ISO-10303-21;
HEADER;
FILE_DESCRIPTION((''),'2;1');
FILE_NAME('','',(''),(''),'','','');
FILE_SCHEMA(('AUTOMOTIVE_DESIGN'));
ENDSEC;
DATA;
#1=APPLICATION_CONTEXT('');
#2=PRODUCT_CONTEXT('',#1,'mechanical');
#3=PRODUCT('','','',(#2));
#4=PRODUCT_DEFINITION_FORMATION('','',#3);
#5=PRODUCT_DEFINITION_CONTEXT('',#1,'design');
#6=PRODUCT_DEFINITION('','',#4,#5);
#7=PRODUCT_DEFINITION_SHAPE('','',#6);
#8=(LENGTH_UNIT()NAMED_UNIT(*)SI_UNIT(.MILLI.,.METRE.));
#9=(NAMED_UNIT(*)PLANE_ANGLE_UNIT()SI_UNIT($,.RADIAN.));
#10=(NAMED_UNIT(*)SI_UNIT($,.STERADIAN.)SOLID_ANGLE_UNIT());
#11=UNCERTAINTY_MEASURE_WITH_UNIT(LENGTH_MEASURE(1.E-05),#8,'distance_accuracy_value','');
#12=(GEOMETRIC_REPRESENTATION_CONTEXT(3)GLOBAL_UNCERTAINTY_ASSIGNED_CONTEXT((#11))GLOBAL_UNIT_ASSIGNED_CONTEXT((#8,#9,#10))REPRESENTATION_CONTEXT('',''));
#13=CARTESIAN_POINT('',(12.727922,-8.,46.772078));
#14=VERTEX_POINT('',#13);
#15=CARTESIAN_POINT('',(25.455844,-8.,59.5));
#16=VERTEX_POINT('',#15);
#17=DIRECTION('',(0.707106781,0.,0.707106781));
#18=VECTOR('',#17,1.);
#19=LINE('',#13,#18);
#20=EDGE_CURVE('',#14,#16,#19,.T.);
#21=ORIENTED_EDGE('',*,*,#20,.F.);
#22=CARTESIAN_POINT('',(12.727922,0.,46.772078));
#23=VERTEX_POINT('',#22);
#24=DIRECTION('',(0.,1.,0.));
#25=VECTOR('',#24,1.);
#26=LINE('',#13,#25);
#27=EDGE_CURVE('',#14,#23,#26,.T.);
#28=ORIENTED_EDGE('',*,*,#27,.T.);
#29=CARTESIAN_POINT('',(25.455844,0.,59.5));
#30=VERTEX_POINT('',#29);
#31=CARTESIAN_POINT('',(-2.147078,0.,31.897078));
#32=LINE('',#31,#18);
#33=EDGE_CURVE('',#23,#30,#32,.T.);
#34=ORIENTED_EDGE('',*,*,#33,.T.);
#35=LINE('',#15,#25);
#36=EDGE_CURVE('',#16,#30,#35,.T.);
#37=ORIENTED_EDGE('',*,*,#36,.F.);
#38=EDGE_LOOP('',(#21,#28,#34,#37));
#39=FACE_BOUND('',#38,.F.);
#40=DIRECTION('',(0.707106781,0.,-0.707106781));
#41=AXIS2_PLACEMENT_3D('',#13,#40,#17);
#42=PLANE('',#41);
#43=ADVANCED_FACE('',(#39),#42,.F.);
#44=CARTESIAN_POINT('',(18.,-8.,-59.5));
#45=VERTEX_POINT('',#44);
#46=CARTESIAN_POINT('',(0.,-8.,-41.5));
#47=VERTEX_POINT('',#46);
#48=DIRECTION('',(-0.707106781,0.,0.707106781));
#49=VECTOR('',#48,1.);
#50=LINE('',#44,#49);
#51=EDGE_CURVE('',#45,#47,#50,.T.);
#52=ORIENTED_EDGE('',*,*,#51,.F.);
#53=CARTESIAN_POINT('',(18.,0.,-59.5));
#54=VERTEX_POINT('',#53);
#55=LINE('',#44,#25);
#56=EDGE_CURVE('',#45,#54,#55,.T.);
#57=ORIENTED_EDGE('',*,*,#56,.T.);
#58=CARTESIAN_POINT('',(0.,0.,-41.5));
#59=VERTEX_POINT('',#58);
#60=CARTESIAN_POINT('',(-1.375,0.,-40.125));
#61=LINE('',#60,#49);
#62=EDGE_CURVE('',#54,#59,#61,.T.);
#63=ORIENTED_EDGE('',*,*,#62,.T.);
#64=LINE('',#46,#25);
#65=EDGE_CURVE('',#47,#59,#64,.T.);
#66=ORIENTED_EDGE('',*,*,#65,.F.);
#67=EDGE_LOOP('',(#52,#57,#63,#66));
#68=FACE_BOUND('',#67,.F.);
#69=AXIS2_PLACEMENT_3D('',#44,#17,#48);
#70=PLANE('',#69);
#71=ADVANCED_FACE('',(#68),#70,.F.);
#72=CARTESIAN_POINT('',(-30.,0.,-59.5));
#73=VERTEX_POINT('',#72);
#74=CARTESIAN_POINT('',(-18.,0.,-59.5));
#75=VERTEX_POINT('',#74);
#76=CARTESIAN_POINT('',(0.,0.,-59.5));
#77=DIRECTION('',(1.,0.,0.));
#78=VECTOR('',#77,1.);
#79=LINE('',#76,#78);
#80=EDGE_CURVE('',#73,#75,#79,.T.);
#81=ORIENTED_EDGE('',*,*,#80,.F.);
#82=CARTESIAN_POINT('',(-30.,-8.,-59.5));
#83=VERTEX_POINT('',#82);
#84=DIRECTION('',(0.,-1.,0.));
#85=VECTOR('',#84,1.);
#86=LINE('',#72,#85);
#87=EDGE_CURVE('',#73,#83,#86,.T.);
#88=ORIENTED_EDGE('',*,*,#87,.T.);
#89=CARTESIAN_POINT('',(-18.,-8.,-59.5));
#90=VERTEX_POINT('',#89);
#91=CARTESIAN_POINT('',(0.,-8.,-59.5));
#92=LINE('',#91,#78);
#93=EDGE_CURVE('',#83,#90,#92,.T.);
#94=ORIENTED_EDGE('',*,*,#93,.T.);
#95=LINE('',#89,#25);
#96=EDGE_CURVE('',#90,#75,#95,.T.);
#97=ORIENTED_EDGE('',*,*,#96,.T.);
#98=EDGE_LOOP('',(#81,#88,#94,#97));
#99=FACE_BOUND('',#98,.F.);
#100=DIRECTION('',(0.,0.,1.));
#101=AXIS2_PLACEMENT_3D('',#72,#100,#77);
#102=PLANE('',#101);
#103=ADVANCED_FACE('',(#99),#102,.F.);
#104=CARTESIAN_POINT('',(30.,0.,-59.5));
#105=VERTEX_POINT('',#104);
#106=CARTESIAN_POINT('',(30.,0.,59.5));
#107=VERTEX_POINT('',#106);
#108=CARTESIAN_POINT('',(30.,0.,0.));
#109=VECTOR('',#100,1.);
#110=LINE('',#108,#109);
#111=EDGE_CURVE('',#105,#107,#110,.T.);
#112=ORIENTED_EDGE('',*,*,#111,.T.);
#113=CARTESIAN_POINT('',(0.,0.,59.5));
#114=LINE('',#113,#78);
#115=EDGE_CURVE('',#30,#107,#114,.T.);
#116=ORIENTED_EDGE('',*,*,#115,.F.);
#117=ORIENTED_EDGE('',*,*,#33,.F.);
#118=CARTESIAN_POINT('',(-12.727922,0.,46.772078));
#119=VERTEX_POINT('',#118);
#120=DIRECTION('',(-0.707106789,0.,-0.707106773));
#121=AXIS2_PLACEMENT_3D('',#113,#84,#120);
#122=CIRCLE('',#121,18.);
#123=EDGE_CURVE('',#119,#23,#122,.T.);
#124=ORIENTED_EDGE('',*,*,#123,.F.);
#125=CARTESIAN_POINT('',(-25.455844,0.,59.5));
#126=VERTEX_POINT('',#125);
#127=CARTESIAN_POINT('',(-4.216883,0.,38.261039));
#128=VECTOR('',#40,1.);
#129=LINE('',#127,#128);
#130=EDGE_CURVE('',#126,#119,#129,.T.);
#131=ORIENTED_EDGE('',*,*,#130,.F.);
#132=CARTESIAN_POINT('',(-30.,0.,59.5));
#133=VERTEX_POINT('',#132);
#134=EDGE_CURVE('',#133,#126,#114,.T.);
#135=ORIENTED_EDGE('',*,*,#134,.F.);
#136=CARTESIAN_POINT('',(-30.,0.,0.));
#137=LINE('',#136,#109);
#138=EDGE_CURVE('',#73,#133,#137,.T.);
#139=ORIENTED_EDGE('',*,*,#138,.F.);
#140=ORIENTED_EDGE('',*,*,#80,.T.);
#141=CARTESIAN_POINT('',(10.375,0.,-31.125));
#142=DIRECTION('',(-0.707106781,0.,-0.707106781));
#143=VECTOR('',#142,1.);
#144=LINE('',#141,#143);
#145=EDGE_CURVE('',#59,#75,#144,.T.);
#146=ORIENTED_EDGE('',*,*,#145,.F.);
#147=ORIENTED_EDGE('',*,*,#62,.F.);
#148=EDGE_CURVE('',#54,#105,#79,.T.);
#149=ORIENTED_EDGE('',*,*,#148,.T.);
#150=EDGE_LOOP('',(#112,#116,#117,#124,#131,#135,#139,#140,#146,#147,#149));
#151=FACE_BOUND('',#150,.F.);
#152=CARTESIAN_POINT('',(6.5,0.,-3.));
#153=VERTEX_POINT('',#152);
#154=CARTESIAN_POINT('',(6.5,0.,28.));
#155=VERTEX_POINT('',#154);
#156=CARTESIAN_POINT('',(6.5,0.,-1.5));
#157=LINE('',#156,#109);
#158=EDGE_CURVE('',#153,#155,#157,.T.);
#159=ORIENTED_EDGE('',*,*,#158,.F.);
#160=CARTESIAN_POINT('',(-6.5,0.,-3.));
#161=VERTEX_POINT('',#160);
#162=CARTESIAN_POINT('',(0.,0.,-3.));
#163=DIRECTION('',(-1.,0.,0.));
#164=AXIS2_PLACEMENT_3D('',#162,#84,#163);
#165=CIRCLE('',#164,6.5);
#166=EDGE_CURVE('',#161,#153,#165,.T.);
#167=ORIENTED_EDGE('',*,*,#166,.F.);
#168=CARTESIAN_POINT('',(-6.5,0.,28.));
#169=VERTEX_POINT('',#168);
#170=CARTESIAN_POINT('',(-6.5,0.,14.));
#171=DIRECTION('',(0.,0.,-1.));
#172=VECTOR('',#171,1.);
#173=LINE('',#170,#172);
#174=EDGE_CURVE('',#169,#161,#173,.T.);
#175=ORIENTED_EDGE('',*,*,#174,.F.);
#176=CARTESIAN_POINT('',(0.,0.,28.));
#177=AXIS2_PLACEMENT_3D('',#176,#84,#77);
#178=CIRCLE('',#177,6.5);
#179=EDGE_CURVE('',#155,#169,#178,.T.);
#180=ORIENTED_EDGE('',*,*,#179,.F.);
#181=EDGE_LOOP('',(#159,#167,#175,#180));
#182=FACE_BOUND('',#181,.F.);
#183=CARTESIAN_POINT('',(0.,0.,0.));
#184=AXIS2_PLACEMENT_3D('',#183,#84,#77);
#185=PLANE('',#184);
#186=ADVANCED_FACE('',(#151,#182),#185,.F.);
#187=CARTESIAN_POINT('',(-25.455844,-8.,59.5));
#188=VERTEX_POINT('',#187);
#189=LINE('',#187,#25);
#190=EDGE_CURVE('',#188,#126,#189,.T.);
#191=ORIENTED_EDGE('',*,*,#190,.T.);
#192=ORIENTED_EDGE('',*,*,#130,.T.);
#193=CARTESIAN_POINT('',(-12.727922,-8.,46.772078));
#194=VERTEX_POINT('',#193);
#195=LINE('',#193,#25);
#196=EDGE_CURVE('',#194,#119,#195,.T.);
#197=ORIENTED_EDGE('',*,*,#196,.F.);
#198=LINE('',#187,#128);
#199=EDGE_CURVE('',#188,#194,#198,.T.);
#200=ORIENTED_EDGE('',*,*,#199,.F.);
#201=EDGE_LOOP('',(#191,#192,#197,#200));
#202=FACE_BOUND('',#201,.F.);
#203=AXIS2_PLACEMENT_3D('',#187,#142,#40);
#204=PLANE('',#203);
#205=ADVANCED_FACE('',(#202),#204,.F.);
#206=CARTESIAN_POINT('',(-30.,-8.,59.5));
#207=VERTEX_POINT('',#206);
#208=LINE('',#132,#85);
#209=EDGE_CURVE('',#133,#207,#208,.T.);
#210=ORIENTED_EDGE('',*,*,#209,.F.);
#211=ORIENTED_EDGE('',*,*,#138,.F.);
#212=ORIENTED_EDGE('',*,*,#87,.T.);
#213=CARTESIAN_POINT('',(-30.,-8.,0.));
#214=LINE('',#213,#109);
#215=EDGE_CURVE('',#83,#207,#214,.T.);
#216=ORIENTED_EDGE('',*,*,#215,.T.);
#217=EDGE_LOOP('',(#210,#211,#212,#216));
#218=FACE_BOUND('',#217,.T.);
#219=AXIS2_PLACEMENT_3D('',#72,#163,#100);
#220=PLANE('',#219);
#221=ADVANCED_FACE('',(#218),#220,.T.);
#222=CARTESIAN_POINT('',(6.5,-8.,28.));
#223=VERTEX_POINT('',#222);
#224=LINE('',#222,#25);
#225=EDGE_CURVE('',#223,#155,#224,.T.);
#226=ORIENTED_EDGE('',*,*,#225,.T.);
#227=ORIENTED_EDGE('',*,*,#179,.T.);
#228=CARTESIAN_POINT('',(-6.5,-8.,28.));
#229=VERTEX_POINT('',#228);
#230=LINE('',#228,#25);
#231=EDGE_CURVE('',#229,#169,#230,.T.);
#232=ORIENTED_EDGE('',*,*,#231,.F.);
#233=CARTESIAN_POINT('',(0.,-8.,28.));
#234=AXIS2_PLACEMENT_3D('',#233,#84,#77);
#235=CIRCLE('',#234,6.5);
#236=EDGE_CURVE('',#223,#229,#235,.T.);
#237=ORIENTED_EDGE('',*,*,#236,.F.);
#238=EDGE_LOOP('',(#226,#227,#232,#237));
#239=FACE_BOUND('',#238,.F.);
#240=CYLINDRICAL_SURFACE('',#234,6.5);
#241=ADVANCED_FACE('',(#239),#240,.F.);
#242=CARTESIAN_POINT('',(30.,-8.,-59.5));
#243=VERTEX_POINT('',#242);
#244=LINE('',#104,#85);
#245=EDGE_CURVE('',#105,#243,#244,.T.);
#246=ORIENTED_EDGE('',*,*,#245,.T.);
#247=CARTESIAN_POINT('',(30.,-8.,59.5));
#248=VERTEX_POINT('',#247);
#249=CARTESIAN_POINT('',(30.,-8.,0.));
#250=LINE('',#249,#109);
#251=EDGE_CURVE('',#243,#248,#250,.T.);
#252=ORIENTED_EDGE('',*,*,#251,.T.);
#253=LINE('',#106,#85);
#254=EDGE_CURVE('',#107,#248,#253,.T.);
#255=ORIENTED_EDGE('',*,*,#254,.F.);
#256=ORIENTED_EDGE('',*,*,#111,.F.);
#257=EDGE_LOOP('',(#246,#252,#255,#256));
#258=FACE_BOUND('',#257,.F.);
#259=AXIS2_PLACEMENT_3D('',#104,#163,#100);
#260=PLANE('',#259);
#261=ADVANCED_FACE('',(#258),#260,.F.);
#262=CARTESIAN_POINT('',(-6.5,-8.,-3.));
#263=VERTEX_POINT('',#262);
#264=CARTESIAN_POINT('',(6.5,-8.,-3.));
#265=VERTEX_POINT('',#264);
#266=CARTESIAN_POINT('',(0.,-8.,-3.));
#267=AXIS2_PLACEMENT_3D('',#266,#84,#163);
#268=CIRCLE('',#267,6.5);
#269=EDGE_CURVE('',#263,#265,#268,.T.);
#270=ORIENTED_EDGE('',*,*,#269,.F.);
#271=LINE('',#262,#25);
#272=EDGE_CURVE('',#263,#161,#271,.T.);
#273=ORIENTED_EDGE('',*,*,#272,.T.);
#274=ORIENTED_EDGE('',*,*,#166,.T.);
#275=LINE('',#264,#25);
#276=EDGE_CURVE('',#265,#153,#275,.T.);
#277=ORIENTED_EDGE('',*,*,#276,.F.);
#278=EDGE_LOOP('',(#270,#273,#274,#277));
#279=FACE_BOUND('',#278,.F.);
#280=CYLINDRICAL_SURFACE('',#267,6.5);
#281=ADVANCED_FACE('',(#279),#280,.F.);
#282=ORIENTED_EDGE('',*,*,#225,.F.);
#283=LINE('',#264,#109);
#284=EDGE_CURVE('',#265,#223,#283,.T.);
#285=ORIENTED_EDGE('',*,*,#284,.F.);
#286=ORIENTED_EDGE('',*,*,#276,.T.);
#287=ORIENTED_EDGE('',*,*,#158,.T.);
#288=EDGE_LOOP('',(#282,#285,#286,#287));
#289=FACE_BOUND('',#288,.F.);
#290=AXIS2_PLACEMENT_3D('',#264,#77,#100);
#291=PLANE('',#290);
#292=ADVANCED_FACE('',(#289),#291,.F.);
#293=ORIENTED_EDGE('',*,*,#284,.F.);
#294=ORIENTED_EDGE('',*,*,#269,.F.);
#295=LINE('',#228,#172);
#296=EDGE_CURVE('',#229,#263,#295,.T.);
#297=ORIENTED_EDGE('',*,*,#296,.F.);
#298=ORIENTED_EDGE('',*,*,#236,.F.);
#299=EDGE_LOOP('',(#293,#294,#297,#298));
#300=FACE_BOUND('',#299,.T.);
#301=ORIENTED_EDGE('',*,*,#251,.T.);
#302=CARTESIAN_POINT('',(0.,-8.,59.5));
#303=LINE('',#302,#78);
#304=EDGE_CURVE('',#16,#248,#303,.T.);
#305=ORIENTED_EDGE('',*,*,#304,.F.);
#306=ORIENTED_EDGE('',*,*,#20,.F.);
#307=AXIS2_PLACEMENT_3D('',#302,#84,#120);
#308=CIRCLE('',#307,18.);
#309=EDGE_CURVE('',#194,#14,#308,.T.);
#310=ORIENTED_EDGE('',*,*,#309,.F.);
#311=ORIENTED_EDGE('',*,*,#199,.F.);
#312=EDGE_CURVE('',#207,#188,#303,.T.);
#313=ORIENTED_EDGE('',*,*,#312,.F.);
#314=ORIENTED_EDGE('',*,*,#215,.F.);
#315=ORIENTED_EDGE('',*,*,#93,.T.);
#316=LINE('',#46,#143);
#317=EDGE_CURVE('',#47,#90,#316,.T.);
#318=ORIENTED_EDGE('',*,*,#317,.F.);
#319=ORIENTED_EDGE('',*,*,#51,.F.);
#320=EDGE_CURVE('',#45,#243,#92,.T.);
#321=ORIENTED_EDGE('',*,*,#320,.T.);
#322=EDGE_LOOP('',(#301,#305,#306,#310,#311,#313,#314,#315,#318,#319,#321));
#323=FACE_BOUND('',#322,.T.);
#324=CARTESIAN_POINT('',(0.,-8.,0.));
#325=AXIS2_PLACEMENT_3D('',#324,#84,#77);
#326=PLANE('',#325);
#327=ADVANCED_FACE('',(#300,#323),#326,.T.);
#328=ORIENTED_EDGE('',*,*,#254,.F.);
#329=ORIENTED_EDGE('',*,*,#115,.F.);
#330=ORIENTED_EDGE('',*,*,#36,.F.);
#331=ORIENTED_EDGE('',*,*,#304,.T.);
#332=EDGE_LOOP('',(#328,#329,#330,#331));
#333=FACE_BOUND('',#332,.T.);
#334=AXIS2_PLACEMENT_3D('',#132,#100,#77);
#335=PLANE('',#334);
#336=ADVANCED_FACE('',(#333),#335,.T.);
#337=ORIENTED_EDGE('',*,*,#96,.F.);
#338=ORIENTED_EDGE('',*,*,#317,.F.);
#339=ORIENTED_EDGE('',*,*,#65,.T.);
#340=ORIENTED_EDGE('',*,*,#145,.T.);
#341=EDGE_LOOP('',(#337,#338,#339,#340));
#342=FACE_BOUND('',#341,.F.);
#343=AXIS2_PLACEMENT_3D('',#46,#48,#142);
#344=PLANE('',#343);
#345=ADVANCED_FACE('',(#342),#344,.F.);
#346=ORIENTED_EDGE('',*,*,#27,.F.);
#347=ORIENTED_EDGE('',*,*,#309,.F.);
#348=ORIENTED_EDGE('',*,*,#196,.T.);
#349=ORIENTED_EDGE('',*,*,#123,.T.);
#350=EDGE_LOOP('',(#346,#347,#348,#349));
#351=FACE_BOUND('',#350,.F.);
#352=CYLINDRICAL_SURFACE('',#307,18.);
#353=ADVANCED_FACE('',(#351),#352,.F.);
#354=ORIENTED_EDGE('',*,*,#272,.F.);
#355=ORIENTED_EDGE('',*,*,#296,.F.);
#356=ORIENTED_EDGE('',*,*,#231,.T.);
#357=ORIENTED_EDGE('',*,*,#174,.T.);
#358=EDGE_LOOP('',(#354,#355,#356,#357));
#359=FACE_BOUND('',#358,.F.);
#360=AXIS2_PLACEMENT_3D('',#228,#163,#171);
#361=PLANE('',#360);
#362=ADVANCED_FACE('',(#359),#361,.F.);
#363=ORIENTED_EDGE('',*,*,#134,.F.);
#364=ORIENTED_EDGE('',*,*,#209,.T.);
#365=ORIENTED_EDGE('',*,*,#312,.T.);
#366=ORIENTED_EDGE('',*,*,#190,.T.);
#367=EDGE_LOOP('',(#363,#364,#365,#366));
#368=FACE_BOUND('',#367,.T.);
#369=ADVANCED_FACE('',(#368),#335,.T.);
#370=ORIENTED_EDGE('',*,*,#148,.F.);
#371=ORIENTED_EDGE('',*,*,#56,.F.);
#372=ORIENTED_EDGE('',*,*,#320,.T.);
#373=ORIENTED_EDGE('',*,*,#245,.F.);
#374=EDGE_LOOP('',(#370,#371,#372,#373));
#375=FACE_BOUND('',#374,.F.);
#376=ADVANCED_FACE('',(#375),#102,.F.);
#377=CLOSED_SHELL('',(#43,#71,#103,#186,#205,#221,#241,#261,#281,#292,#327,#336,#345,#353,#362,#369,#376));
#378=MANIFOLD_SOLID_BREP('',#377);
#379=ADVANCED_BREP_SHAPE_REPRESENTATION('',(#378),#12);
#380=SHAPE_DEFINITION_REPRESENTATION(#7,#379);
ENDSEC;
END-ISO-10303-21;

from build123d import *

# Parameters (mm, degrees)
F0_W     = 60
F0_H     = 119
F1_DEPTH = 8
F3_DEPTH = 8.001


with BuildPart() as f1:
    # F0 (on Front) → F1 (new body)
    with BuildSketch(Plane.XZ):
        Rectangle(F0_W, F0_H)
    extrude(amount=F1_DEPTH)

    # F2 (on face) → F3 (cut, through all)
    with BuildSketch(Plane.XZ.offset(8)):
        with BuildLine():
            ThreePointArc((6.5, 28), (0, 34.5), (-6.5, 28))
            Line((-6.5, 28), (-6.5, -3))
            ThreePointArc((-6.5, -3), (0, -9.5), (6.5, -3))
            Line((6.5, -3), (6.5, 28))
        make_face()
        with BuildLine():
            Line((-25.455844, 59.5), (-12.727922, 46.772078))
            ThreePointArc((-12.727922, 46.772078), (0, 41.5), (12.727922, 46.772078))
            Line((12.727922, 46.772078), (25.455844, 59.5))
            Line((25.455844, 59.5), (-25.455844, 59.5))
        make_face()
        Polygon((18, -59.5), (0, -41.5), (-18, -59.5), align=None)
    extrude(amount=-F3_DEPTH, mode=Mode.SUBTRACT)


solid = f1.part
